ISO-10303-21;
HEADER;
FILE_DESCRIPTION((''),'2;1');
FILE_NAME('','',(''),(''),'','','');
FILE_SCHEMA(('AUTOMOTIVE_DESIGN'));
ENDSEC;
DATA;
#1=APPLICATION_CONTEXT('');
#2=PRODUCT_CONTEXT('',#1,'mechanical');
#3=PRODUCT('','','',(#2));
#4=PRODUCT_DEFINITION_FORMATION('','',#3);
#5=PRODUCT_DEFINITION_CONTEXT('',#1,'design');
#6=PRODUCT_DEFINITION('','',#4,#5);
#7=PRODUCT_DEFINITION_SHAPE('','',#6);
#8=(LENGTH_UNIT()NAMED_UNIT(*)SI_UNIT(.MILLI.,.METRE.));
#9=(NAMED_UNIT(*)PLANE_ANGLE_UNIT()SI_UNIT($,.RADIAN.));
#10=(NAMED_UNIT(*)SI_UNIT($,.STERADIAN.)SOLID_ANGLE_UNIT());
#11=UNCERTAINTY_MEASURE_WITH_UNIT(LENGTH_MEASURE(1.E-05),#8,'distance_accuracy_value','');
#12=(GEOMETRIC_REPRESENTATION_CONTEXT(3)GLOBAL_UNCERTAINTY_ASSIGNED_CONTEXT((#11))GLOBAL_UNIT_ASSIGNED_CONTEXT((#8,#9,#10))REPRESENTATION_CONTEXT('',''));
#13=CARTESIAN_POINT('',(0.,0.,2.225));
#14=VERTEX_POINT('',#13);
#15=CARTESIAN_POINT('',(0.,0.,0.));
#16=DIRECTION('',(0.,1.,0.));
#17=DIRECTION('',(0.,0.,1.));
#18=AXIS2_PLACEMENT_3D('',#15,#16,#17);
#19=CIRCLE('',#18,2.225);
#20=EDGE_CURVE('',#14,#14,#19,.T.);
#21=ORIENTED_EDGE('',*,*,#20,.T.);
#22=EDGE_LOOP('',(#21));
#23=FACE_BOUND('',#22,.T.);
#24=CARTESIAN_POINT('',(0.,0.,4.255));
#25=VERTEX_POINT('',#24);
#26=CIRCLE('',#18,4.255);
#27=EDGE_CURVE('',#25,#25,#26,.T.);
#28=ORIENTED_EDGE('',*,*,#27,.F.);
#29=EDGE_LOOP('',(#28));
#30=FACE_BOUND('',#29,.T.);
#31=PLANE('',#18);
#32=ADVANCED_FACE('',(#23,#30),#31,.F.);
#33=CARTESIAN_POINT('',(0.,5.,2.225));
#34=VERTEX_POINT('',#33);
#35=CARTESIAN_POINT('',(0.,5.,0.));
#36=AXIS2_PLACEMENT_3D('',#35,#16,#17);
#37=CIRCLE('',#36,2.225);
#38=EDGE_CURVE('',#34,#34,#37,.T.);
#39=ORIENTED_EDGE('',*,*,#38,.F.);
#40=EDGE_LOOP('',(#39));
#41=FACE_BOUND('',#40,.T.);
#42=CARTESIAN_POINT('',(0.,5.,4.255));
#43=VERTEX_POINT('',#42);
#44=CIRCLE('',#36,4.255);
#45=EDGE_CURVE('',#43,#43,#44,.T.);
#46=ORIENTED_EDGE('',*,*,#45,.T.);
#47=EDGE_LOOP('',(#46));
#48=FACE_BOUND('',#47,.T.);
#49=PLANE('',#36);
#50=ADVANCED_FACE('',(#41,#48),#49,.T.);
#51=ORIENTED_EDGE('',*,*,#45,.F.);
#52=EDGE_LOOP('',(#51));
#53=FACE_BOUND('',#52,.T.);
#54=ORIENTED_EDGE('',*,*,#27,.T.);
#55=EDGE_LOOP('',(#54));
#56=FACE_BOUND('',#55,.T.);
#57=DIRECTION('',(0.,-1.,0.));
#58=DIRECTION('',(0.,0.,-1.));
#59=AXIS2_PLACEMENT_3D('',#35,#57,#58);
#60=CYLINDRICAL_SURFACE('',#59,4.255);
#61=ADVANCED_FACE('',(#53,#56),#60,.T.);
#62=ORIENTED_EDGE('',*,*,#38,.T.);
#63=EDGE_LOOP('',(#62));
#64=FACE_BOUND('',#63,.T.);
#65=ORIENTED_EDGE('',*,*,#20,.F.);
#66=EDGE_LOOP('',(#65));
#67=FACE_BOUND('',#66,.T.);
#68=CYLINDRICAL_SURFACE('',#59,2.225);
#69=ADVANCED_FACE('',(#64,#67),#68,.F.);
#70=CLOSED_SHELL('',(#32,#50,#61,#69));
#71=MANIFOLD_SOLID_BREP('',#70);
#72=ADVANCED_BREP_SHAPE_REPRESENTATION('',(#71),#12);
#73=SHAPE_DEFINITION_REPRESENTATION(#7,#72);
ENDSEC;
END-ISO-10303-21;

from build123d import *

# Parameters (mm, degrees)
SZKIC1_R                    = 4.255
SZKIC1_R_2                  = 2.225
DODANIE_WYCI_GNI_CIE1_DEPTH = 5


with BuildPart() as part:
    # Szkic1 → Dodanie-wyciągnięcie1 (new body)
    with BuildSketch(Plane(origin=(0, 0, 0), x_dir=(1, 0, 0), z_dir=(0, 1, 0))):
        Circle(SZKIC1_R)
        Circle(SZKIC1_R_2, mode=Mode.SUBTRACT)
    extrude(amount=DODANIE_WYCI_GNI_CIE1_DEPTH)


solid = part.part
